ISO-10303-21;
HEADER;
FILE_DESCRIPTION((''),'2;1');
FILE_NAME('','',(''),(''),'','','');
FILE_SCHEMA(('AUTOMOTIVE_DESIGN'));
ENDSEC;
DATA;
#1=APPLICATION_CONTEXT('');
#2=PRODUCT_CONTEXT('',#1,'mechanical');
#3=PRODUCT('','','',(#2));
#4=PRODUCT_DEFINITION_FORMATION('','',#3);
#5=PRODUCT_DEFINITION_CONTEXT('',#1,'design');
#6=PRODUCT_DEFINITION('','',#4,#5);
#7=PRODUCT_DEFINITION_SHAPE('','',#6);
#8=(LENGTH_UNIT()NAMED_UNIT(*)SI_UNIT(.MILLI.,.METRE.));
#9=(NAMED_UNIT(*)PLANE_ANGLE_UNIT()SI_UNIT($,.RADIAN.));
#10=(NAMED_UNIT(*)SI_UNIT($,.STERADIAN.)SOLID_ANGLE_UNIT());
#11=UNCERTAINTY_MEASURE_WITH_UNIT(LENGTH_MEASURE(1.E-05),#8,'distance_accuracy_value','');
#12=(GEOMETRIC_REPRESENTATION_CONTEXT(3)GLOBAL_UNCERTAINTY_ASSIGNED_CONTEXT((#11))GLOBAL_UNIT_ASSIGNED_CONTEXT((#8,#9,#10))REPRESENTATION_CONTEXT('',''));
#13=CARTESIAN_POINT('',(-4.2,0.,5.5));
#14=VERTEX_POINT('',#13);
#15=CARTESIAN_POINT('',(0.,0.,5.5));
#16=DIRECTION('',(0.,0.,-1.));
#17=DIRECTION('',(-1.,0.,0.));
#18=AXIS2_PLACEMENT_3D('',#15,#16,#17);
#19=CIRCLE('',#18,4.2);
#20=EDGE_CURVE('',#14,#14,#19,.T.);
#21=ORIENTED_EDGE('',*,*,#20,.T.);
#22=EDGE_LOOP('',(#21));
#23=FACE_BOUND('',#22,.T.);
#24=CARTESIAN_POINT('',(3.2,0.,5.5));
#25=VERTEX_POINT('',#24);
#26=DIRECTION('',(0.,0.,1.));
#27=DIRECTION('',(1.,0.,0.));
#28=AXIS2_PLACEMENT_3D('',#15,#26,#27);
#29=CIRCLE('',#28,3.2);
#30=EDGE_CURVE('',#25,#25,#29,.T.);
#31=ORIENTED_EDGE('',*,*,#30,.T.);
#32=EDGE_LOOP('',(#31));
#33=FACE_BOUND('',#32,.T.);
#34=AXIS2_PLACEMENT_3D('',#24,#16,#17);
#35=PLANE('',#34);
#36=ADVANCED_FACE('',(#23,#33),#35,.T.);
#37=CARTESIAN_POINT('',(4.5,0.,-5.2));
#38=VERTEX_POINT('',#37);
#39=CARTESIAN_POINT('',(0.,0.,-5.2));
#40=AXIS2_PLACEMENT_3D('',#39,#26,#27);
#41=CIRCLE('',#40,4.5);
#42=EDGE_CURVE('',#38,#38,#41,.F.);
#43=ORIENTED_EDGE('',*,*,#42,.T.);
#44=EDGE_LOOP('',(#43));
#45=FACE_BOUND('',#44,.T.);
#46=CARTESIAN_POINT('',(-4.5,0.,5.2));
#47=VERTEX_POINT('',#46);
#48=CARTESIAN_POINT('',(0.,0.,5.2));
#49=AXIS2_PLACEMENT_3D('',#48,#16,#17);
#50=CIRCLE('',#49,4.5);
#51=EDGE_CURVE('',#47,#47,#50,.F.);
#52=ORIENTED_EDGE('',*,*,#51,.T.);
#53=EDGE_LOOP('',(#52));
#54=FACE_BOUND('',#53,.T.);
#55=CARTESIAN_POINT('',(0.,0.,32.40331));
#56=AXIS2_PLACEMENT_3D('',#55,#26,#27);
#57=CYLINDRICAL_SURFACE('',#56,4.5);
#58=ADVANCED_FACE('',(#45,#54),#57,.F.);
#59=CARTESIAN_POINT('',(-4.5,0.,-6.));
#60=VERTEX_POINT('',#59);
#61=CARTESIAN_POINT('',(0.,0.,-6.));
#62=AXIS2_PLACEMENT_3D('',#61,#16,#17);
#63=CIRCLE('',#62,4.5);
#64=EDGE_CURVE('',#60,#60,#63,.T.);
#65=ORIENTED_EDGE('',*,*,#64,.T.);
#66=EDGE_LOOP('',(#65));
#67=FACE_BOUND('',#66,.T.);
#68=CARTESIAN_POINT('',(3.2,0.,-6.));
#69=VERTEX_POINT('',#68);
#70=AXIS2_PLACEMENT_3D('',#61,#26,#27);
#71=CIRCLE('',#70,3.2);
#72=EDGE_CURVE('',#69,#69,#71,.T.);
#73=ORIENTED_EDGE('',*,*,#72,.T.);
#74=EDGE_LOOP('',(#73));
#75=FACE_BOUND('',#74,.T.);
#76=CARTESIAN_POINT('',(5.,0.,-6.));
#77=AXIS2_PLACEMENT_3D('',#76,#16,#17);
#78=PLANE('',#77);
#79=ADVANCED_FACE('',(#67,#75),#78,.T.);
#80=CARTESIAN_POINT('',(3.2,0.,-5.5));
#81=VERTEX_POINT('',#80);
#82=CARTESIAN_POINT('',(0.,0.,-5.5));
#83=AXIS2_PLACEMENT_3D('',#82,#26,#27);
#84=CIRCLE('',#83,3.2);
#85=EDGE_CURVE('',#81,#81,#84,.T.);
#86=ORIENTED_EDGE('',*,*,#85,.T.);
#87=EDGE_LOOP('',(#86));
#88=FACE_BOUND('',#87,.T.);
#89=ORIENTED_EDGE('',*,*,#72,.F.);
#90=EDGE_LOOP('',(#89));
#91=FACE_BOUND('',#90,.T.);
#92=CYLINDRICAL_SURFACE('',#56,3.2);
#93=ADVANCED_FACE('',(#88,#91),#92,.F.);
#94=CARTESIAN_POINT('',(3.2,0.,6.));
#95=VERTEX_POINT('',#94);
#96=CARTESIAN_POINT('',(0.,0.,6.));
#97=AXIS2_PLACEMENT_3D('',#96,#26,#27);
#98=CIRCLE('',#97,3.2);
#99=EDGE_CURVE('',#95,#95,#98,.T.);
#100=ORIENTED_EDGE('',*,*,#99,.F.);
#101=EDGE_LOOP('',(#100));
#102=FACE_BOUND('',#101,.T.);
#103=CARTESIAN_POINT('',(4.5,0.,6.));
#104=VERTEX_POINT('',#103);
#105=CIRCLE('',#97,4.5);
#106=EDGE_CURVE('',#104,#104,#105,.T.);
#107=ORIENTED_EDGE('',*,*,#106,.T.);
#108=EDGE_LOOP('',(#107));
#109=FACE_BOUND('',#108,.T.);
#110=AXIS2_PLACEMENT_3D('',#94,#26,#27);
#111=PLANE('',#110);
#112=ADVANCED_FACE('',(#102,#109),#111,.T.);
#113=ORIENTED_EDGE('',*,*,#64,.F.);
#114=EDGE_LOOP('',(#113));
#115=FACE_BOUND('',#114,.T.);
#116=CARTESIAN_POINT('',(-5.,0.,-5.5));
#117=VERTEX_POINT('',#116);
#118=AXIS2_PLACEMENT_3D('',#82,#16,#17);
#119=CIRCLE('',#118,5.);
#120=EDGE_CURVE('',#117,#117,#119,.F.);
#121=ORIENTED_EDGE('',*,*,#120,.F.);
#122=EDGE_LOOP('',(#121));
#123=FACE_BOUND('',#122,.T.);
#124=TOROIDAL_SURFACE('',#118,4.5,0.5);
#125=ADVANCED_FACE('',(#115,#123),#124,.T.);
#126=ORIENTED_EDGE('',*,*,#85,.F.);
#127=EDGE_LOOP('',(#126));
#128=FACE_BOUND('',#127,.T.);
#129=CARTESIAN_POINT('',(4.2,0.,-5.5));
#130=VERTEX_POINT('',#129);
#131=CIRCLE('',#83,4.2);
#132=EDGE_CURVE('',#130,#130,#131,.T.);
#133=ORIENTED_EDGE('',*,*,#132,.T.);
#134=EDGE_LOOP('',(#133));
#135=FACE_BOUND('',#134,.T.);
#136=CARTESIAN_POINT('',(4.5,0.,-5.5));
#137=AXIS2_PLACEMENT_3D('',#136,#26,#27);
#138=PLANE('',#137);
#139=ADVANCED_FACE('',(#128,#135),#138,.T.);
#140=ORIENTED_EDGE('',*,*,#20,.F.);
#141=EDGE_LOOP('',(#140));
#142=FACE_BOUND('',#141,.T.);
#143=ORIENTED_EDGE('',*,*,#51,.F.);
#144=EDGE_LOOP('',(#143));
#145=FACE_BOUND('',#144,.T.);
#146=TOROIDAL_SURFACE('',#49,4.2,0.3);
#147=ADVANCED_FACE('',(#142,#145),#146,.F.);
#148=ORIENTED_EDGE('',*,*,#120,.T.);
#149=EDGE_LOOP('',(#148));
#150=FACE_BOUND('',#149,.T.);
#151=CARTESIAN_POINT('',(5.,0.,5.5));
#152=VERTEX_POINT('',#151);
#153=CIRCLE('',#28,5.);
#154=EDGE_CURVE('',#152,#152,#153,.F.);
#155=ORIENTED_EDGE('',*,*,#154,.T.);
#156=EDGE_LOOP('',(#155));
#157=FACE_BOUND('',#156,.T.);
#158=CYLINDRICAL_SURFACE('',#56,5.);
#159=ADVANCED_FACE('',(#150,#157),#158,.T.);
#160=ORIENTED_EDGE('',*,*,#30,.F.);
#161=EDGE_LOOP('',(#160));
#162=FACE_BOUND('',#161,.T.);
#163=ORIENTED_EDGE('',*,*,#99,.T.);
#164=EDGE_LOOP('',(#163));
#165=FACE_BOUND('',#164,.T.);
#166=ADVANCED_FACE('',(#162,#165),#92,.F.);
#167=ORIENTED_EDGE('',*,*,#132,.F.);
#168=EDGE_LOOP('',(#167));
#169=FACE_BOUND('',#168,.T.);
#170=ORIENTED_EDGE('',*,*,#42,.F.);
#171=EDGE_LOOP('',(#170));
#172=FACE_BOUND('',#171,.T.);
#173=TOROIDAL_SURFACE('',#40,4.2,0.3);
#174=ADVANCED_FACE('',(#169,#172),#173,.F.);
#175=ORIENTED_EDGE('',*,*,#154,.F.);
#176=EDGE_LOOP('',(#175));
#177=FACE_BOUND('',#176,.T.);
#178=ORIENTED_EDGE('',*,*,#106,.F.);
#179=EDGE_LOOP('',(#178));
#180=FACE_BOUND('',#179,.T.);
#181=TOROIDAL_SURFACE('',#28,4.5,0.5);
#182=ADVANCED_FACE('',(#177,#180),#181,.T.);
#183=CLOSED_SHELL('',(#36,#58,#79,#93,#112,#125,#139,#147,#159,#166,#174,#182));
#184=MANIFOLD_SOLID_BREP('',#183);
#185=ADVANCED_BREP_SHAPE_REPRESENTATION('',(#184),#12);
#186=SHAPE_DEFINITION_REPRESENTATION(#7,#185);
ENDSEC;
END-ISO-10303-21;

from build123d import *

# Parameters (mm, degrees)
FILLET_1_R = 0.3
FILLET_2_R = 0.5
FILLET_3_R = 0.5


with BuildPart() as part:
    # 草图1 → 旋转1 (revolve)
    with BuildSketch(Plane(origin=(0, 0, 0), x_dir=(1, 0, 0), z_dir=(0, 1, 0))):
        Polygon((3.2, -6), (5, -6), (5, 6), (3.2, 6), (3.2, 5.5), (4.5, 5.5), (4.5, -5.5), (3.2, -5.5), align=None)
    revolve(axis=Axis((0, 0, 32.403310218), (0, 0, -1)))

    # 圆角1
    fillet_1_edges = [part.edges().sort_by_distance(p)[0] for p in [
        (-4.5, 0, 5.5),
        (-4.5, 0, -5.5),
    ]]
    fillet(fillet_1_edges, radius=FILLET_1_R)

    # 圆角2
    fillet_2_edges = [part.edges().sort_by_distance(p)[0] for p in [
        (-5, 0, 6),
    ]]
    fillet(fillet_2_edges, radius=FILLET_2_R)

    # 圆角3
    fillet_3_edges = [part.edges().sort_by_distance(p)[0] for p in [
        (-5, 0, -6),
    ]]
    fillet(fillet_3_edges, radius=FILLET_3_R)


solid = part.part
